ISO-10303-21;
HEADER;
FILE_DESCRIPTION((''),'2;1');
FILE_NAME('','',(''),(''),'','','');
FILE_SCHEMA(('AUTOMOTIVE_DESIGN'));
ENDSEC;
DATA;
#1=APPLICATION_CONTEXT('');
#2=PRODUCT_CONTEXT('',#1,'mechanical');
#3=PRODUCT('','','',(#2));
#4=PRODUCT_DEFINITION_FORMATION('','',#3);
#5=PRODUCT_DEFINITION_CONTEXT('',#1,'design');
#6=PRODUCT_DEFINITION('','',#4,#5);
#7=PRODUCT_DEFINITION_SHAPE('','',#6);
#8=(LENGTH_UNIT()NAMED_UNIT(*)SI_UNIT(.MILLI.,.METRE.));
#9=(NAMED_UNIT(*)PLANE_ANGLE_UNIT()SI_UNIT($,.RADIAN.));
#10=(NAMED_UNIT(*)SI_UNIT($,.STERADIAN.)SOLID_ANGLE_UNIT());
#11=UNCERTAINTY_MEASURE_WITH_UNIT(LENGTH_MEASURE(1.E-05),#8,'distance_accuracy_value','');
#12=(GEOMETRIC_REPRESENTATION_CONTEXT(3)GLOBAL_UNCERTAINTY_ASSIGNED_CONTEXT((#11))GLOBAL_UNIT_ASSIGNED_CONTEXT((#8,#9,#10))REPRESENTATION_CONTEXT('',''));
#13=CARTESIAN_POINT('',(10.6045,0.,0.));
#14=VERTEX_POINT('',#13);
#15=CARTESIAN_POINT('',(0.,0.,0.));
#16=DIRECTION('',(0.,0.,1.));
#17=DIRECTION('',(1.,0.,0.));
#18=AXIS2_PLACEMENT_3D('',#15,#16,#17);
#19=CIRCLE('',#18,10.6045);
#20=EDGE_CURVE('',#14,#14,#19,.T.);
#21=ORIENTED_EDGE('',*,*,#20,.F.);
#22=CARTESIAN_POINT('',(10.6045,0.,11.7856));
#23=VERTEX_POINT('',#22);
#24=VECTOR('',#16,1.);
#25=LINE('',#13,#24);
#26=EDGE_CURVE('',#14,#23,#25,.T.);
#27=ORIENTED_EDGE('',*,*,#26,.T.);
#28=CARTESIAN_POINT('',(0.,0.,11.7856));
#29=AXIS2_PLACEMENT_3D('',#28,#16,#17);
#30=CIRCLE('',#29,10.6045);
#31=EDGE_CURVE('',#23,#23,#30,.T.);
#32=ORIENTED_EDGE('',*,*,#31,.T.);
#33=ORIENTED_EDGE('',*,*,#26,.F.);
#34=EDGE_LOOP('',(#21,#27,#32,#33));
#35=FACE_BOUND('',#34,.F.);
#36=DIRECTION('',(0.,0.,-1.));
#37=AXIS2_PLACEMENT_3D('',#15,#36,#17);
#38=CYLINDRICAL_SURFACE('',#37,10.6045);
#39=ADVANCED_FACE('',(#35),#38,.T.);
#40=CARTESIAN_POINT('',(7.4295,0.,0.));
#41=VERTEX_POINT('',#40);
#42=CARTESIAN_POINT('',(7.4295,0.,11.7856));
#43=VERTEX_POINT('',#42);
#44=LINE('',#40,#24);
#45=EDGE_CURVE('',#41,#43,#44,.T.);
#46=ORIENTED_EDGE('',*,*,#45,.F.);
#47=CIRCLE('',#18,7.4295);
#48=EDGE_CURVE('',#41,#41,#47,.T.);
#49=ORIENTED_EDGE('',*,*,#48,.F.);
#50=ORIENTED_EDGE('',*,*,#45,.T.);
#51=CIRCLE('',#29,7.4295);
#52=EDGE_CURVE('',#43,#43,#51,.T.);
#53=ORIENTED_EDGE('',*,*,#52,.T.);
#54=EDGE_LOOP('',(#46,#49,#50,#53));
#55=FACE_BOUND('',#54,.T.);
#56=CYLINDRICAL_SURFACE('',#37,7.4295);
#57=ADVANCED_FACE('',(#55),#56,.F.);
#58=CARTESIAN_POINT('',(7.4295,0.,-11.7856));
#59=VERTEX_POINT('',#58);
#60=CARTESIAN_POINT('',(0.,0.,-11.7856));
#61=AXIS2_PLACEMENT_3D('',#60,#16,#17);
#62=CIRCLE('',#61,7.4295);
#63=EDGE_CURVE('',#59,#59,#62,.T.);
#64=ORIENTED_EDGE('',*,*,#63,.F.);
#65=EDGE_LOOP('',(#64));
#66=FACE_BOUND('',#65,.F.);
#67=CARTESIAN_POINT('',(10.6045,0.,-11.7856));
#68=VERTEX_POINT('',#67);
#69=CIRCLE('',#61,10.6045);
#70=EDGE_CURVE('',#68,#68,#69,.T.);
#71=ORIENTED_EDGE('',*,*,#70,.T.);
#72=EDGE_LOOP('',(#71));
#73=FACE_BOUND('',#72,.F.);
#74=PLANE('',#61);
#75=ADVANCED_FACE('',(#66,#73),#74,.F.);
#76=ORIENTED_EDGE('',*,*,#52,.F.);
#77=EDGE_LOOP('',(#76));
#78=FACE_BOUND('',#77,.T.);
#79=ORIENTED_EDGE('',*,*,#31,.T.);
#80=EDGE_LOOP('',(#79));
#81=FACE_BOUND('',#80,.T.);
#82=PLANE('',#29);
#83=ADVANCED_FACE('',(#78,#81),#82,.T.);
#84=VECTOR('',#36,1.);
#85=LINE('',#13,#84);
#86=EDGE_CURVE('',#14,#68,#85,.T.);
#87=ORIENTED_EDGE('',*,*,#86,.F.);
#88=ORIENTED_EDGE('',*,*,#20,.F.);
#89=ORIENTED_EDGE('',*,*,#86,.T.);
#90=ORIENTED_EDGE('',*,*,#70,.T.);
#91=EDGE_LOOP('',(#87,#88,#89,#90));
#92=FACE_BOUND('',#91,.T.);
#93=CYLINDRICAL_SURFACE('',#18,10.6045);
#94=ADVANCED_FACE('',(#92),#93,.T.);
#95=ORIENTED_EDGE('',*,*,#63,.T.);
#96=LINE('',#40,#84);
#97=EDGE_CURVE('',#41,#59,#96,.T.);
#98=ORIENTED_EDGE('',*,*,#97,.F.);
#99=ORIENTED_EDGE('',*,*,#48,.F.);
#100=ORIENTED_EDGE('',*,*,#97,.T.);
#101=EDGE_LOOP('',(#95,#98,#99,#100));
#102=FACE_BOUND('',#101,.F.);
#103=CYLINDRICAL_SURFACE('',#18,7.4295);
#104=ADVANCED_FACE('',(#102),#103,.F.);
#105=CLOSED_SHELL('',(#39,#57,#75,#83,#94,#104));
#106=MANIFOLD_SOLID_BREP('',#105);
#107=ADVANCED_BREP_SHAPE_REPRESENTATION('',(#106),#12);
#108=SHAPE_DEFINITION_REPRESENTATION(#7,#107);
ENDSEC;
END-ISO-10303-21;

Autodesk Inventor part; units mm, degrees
ref_plane "YZ Plane" through (0, 0, 0) normal (1, 0, 0) x (0, 1, 0)
ref_plane "XZ Plane" through (0, 0, 0) normal (0, 1, 0) x (-1, 0, 0)
ref_plane "XY Plane" through (0, 0, 0) normal (0, 0, 1) x (1, 0, 0)
sketch "Sketch1" plane through (0, 0, 0) normal (0, 0, 1) x (1, 0, 0)
  circle A0 centre (0, 0) radius 7.4295
  circle A1 centre (0, 0) radius 10.6045
  dimension "d0" = 14.859
  dimension "d1" = 3.175
extrude "Extrusion1" add sketch "Sketch1" along normal mid plane 23.5712
properties part number "GP5-013" material "ABS Plastic"
